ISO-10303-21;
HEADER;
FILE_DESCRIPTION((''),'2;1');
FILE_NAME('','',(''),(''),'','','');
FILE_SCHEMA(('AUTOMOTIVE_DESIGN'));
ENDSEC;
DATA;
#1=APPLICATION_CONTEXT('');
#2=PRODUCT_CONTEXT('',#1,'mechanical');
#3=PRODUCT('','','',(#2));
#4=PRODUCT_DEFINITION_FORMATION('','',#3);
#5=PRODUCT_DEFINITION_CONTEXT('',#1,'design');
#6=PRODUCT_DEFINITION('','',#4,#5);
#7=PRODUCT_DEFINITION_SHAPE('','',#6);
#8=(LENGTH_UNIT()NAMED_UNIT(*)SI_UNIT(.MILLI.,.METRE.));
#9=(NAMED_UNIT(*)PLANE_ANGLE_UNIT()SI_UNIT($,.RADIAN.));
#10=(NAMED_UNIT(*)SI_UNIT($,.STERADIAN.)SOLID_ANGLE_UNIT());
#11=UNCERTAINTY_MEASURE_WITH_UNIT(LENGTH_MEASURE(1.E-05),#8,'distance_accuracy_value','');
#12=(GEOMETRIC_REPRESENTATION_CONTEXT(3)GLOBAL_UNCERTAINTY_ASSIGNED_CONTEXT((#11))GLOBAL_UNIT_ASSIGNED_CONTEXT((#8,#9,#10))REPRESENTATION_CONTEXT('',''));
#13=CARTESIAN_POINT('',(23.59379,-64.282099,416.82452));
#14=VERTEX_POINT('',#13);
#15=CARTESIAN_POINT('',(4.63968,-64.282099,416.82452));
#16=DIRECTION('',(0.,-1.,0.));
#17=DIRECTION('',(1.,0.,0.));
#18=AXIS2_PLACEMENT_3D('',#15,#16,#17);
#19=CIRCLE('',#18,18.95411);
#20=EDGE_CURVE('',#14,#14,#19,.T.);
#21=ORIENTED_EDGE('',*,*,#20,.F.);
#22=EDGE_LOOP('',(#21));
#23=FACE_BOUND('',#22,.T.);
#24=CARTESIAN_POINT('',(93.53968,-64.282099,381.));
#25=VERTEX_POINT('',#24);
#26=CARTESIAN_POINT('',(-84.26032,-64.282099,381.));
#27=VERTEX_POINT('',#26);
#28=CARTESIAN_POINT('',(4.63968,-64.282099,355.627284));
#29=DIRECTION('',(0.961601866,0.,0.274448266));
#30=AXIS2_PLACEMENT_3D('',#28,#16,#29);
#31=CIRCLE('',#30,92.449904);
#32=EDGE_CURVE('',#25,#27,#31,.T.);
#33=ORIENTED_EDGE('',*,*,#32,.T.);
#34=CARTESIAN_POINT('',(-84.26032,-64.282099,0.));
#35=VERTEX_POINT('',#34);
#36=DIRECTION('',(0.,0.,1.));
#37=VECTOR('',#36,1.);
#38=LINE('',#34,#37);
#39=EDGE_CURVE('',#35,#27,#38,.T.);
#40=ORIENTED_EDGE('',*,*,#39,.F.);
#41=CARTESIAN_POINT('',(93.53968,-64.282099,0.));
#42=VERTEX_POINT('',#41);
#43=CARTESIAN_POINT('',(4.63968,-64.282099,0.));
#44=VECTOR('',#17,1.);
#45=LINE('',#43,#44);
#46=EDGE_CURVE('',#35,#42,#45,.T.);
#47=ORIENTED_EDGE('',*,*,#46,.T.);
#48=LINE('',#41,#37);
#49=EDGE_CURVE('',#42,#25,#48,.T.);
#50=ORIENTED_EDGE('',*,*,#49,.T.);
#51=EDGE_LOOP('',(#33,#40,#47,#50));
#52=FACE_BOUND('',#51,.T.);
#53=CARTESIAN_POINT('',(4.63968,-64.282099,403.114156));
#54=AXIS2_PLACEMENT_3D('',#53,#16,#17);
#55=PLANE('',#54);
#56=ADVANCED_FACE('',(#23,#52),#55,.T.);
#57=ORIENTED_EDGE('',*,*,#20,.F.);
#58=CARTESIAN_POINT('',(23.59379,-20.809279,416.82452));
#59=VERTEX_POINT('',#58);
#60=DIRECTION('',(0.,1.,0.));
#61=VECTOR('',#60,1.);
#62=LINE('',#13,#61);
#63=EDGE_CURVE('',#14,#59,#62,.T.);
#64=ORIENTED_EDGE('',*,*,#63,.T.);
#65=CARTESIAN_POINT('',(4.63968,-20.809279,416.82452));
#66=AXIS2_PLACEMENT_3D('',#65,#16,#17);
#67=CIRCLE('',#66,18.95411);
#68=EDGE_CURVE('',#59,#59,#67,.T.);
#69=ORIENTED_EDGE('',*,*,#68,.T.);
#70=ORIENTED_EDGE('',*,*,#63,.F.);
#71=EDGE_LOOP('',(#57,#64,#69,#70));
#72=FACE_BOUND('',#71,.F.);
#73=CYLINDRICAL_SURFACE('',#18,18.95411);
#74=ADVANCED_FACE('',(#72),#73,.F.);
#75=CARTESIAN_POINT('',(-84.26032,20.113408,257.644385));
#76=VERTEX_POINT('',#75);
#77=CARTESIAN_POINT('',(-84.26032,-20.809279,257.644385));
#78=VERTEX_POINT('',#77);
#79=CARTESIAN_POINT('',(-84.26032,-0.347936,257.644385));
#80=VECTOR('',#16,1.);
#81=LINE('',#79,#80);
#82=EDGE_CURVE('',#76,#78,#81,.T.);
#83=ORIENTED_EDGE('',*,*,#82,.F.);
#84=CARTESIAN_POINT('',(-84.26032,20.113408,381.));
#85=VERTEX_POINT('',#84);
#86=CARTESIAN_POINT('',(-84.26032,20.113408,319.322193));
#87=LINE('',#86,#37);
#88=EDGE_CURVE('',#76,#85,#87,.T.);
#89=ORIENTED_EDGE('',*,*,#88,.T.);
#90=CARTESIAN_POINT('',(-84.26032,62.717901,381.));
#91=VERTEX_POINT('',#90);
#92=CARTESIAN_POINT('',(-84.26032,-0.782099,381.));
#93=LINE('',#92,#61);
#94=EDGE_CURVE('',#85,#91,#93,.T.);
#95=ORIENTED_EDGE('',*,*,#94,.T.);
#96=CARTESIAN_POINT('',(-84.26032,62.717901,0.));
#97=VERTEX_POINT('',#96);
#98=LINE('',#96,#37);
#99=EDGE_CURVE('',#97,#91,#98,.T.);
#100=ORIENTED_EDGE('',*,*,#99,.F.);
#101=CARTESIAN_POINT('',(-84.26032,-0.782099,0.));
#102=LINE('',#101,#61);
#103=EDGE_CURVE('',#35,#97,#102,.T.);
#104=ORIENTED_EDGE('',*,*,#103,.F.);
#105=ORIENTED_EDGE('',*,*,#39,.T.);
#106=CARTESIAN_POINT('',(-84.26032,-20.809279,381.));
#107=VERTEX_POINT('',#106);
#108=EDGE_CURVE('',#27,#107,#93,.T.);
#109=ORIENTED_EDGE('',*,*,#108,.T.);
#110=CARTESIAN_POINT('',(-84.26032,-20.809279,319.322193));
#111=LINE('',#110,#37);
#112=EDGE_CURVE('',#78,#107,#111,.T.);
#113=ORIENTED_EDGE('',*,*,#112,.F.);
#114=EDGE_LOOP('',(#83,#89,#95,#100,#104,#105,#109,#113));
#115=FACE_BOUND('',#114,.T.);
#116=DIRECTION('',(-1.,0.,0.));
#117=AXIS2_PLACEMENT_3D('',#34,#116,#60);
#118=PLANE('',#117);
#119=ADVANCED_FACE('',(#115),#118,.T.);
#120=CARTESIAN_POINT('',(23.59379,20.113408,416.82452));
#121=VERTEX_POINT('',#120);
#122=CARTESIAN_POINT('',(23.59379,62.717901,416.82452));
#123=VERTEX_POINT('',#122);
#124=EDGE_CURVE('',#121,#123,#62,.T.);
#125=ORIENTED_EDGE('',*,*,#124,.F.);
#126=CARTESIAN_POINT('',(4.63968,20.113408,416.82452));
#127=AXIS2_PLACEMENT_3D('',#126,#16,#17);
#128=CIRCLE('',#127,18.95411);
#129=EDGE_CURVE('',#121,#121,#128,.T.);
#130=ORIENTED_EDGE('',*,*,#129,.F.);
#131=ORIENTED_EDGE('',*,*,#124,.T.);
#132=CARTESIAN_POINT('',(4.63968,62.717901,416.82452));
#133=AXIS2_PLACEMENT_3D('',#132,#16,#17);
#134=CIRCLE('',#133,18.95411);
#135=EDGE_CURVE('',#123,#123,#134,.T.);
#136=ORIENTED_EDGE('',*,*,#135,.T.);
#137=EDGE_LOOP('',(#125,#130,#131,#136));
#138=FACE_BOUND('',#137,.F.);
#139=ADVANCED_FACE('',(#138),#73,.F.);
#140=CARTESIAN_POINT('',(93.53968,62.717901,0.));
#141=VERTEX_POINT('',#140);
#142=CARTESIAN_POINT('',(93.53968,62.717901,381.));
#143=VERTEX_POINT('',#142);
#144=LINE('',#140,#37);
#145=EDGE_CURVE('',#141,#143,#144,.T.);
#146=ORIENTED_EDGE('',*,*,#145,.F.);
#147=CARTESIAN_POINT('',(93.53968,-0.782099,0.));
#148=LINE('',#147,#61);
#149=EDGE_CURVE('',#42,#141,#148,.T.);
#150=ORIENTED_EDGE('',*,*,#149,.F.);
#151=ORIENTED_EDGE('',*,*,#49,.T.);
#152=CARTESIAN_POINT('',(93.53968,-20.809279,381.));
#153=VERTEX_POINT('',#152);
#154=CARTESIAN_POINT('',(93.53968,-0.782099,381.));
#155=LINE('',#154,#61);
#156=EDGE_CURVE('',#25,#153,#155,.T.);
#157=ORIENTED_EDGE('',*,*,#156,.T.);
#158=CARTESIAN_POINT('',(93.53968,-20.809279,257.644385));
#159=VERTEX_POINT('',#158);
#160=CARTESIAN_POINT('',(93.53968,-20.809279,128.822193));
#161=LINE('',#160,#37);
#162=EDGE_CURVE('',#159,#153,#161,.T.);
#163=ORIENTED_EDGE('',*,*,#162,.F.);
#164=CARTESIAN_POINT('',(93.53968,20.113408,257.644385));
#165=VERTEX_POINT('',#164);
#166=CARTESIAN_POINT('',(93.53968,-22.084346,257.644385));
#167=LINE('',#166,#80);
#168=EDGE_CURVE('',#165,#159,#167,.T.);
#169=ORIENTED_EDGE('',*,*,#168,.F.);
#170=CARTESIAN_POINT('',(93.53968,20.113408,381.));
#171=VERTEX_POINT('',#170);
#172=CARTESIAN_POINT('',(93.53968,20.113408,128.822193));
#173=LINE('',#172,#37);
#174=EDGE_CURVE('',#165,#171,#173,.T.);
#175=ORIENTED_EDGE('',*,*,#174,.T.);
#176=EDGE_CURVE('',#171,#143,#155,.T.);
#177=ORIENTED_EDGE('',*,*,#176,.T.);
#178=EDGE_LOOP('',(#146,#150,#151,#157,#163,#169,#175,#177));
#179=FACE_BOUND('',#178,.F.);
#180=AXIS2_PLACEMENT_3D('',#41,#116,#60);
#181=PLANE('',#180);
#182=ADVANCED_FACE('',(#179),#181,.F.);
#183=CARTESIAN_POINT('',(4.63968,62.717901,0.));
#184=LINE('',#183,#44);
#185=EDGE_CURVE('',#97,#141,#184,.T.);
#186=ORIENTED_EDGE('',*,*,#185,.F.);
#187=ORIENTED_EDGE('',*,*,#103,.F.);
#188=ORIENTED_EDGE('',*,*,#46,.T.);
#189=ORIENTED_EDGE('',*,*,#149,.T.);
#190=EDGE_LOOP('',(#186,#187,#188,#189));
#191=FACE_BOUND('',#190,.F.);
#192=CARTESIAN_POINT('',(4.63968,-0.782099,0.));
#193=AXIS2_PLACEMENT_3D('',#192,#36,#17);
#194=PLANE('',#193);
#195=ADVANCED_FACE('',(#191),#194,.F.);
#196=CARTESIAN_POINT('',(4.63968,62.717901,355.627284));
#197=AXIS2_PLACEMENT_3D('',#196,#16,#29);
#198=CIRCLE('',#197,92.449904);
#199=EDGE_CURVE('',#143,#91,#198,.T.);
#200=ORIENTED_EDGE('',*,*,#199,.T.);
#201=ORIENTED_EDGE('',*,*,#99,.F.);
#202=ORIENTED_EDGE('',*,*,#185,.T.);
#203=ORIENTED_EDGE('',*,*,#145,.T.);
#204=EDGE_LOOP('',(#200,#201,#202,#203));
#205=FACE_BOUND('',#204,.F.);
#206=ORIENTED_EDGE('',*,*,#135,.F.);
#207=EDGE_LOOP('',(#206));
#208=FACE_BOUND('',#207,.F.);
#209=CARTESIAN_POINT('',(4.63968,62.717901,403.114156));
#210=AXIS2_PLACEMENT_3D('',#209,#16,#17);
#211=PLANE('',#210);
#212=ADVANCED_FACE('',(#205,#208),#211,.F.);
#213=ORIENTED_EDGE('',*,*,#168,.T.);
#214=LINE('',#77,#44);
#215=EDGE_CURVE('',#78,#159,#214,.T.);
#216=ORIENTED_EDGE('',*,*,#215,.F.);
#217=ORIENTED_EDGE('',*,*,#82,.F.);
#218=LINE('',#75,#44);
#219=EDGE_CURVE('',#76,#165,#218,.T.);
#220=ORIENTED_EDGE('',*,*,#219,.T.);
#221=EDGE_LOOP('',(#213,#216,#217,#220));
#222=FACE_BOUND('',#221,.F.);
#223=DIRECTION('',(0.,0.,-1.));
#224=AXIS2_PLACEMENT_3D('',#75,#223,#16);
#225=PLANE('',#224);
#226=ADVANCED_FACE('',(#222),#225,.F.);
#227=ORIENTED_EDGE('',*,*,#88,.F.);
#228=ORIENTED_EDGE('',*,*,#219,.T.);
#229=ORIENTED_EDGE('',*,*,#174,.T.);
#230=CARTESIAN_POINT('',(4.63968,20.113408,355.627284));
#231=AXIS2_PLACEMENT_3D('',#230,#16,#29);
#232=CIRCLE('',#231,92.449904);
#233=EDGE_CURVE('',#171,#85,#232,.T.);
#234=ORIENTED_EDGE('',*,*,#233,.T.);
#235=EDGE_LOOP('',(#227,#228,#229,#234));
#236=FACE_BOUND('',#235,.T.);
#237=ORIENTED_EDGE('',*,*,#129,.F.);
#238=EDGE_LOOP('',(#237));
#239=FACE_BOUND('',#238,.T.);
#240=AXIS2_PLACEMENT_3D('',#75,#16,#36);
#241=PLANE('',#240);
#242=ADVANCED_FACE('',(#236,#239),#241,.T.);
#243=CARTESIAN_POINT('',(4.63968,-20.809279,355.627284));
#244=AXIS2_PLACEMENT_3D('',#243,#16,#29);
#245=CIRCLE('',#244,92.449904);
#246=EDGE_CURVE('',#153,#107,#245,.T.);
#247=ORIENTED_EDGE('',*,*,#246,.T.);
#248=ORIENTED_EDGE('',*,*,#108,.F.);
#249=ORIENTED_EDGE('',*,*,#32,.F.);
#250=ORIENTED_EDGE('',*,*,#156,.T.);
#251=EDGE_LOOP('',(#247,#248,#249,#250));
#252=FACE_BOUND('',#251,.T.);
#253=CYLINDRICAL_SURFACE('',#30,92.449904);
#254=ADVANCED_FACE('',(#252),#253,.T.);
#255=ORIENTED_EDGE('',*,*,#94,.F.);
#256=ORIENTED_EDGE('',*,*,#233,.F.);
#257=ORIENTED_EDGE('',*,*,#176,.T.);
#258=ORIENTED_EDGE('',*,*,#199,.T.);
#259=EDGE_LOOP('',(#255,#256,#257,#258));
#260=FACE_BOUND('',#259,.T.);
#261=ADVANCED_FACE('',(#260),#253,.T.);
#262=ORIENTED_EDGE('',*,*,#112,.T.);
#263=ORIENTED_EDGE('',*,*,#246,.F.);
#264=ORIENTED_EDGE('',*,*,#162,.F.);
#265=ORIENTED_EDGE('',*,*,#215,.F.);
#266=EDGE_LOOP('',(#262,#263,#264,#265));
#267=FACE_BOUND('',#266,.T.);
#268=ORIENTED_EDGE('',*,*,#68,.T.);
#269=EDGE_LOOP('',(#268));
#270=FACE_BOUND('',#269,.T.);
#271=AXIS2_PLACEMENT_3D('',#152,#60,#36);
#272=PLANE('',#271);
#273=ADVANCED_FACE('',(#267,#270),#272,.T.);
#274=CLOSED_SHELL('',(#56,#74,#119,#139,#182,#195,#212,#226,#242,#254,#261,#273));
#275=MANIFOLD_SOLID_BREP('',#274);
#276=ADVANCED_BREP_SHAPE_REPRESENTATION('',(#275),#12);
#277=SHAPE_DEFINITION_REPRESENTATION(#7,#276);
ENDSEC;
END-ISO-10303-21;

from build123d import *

# Parameters (mm, degrees)
F0_W     = 177.8
F0_H     = 127
F1_DEPTH = 381
F2_R     = 18.95411
F3_DEPTH = 127
F4_W     = 40.922687
F4_H     = 69.383157
F5_DEPTH = 254
F6_W     = 40.922687
F6_H     = 123.355615
F7_DEPTH = 254


with BuildPart() as f1:
    # F0 (on Top) → F1 (new body)
    with BuildSketch(Plane.XY):
        with Locations((4.63968, -0.782099)):
            Rectangle(F0_W, F0_H)
    extrude(amount=F1_DEPTH)

    # F2 (on face) → F3 (join)
    with BuildSketch(Plane.XZ.offset(64.282099)):
        with BuildLine():
            Line((-84.26032, 381), (93.53968, 381))
            ThreePointArc((93.53968, 381), (4.63968, 448.077188), (-84.26032, 381))
        make_face()
        with Locations((4.63968, 416.82452)):
            Circle(F2_R, mode=Mode.SUBTRACT)
    extrude(amount=-F3_DEPTH)

    # F4 (on face) → F5 (cut)
    with BuildSketch(Plane.YZ.offset(93.53968)):
        with Locations((-0.347936, 415.691578)):
            Rectangle(F4_W, F4_H)
    extrude(amount=-F5_DEPTH, mode=Mode.SUBTRACT)

    # F6 (on face) → F7 (cut)
    with BuildSketch(Plane(origin=(-84.26032, 0, 0), x_dir=(0, -1, 0), z_dir=(-1, 0, 0))):
        with Locations((0.347936, 319.322193)):
            Rectangle(F6_W, F6_H)
    extrude(amount=-F7_DEPTH, mode=Mode.SUBTRACT)


solid = f1.part
